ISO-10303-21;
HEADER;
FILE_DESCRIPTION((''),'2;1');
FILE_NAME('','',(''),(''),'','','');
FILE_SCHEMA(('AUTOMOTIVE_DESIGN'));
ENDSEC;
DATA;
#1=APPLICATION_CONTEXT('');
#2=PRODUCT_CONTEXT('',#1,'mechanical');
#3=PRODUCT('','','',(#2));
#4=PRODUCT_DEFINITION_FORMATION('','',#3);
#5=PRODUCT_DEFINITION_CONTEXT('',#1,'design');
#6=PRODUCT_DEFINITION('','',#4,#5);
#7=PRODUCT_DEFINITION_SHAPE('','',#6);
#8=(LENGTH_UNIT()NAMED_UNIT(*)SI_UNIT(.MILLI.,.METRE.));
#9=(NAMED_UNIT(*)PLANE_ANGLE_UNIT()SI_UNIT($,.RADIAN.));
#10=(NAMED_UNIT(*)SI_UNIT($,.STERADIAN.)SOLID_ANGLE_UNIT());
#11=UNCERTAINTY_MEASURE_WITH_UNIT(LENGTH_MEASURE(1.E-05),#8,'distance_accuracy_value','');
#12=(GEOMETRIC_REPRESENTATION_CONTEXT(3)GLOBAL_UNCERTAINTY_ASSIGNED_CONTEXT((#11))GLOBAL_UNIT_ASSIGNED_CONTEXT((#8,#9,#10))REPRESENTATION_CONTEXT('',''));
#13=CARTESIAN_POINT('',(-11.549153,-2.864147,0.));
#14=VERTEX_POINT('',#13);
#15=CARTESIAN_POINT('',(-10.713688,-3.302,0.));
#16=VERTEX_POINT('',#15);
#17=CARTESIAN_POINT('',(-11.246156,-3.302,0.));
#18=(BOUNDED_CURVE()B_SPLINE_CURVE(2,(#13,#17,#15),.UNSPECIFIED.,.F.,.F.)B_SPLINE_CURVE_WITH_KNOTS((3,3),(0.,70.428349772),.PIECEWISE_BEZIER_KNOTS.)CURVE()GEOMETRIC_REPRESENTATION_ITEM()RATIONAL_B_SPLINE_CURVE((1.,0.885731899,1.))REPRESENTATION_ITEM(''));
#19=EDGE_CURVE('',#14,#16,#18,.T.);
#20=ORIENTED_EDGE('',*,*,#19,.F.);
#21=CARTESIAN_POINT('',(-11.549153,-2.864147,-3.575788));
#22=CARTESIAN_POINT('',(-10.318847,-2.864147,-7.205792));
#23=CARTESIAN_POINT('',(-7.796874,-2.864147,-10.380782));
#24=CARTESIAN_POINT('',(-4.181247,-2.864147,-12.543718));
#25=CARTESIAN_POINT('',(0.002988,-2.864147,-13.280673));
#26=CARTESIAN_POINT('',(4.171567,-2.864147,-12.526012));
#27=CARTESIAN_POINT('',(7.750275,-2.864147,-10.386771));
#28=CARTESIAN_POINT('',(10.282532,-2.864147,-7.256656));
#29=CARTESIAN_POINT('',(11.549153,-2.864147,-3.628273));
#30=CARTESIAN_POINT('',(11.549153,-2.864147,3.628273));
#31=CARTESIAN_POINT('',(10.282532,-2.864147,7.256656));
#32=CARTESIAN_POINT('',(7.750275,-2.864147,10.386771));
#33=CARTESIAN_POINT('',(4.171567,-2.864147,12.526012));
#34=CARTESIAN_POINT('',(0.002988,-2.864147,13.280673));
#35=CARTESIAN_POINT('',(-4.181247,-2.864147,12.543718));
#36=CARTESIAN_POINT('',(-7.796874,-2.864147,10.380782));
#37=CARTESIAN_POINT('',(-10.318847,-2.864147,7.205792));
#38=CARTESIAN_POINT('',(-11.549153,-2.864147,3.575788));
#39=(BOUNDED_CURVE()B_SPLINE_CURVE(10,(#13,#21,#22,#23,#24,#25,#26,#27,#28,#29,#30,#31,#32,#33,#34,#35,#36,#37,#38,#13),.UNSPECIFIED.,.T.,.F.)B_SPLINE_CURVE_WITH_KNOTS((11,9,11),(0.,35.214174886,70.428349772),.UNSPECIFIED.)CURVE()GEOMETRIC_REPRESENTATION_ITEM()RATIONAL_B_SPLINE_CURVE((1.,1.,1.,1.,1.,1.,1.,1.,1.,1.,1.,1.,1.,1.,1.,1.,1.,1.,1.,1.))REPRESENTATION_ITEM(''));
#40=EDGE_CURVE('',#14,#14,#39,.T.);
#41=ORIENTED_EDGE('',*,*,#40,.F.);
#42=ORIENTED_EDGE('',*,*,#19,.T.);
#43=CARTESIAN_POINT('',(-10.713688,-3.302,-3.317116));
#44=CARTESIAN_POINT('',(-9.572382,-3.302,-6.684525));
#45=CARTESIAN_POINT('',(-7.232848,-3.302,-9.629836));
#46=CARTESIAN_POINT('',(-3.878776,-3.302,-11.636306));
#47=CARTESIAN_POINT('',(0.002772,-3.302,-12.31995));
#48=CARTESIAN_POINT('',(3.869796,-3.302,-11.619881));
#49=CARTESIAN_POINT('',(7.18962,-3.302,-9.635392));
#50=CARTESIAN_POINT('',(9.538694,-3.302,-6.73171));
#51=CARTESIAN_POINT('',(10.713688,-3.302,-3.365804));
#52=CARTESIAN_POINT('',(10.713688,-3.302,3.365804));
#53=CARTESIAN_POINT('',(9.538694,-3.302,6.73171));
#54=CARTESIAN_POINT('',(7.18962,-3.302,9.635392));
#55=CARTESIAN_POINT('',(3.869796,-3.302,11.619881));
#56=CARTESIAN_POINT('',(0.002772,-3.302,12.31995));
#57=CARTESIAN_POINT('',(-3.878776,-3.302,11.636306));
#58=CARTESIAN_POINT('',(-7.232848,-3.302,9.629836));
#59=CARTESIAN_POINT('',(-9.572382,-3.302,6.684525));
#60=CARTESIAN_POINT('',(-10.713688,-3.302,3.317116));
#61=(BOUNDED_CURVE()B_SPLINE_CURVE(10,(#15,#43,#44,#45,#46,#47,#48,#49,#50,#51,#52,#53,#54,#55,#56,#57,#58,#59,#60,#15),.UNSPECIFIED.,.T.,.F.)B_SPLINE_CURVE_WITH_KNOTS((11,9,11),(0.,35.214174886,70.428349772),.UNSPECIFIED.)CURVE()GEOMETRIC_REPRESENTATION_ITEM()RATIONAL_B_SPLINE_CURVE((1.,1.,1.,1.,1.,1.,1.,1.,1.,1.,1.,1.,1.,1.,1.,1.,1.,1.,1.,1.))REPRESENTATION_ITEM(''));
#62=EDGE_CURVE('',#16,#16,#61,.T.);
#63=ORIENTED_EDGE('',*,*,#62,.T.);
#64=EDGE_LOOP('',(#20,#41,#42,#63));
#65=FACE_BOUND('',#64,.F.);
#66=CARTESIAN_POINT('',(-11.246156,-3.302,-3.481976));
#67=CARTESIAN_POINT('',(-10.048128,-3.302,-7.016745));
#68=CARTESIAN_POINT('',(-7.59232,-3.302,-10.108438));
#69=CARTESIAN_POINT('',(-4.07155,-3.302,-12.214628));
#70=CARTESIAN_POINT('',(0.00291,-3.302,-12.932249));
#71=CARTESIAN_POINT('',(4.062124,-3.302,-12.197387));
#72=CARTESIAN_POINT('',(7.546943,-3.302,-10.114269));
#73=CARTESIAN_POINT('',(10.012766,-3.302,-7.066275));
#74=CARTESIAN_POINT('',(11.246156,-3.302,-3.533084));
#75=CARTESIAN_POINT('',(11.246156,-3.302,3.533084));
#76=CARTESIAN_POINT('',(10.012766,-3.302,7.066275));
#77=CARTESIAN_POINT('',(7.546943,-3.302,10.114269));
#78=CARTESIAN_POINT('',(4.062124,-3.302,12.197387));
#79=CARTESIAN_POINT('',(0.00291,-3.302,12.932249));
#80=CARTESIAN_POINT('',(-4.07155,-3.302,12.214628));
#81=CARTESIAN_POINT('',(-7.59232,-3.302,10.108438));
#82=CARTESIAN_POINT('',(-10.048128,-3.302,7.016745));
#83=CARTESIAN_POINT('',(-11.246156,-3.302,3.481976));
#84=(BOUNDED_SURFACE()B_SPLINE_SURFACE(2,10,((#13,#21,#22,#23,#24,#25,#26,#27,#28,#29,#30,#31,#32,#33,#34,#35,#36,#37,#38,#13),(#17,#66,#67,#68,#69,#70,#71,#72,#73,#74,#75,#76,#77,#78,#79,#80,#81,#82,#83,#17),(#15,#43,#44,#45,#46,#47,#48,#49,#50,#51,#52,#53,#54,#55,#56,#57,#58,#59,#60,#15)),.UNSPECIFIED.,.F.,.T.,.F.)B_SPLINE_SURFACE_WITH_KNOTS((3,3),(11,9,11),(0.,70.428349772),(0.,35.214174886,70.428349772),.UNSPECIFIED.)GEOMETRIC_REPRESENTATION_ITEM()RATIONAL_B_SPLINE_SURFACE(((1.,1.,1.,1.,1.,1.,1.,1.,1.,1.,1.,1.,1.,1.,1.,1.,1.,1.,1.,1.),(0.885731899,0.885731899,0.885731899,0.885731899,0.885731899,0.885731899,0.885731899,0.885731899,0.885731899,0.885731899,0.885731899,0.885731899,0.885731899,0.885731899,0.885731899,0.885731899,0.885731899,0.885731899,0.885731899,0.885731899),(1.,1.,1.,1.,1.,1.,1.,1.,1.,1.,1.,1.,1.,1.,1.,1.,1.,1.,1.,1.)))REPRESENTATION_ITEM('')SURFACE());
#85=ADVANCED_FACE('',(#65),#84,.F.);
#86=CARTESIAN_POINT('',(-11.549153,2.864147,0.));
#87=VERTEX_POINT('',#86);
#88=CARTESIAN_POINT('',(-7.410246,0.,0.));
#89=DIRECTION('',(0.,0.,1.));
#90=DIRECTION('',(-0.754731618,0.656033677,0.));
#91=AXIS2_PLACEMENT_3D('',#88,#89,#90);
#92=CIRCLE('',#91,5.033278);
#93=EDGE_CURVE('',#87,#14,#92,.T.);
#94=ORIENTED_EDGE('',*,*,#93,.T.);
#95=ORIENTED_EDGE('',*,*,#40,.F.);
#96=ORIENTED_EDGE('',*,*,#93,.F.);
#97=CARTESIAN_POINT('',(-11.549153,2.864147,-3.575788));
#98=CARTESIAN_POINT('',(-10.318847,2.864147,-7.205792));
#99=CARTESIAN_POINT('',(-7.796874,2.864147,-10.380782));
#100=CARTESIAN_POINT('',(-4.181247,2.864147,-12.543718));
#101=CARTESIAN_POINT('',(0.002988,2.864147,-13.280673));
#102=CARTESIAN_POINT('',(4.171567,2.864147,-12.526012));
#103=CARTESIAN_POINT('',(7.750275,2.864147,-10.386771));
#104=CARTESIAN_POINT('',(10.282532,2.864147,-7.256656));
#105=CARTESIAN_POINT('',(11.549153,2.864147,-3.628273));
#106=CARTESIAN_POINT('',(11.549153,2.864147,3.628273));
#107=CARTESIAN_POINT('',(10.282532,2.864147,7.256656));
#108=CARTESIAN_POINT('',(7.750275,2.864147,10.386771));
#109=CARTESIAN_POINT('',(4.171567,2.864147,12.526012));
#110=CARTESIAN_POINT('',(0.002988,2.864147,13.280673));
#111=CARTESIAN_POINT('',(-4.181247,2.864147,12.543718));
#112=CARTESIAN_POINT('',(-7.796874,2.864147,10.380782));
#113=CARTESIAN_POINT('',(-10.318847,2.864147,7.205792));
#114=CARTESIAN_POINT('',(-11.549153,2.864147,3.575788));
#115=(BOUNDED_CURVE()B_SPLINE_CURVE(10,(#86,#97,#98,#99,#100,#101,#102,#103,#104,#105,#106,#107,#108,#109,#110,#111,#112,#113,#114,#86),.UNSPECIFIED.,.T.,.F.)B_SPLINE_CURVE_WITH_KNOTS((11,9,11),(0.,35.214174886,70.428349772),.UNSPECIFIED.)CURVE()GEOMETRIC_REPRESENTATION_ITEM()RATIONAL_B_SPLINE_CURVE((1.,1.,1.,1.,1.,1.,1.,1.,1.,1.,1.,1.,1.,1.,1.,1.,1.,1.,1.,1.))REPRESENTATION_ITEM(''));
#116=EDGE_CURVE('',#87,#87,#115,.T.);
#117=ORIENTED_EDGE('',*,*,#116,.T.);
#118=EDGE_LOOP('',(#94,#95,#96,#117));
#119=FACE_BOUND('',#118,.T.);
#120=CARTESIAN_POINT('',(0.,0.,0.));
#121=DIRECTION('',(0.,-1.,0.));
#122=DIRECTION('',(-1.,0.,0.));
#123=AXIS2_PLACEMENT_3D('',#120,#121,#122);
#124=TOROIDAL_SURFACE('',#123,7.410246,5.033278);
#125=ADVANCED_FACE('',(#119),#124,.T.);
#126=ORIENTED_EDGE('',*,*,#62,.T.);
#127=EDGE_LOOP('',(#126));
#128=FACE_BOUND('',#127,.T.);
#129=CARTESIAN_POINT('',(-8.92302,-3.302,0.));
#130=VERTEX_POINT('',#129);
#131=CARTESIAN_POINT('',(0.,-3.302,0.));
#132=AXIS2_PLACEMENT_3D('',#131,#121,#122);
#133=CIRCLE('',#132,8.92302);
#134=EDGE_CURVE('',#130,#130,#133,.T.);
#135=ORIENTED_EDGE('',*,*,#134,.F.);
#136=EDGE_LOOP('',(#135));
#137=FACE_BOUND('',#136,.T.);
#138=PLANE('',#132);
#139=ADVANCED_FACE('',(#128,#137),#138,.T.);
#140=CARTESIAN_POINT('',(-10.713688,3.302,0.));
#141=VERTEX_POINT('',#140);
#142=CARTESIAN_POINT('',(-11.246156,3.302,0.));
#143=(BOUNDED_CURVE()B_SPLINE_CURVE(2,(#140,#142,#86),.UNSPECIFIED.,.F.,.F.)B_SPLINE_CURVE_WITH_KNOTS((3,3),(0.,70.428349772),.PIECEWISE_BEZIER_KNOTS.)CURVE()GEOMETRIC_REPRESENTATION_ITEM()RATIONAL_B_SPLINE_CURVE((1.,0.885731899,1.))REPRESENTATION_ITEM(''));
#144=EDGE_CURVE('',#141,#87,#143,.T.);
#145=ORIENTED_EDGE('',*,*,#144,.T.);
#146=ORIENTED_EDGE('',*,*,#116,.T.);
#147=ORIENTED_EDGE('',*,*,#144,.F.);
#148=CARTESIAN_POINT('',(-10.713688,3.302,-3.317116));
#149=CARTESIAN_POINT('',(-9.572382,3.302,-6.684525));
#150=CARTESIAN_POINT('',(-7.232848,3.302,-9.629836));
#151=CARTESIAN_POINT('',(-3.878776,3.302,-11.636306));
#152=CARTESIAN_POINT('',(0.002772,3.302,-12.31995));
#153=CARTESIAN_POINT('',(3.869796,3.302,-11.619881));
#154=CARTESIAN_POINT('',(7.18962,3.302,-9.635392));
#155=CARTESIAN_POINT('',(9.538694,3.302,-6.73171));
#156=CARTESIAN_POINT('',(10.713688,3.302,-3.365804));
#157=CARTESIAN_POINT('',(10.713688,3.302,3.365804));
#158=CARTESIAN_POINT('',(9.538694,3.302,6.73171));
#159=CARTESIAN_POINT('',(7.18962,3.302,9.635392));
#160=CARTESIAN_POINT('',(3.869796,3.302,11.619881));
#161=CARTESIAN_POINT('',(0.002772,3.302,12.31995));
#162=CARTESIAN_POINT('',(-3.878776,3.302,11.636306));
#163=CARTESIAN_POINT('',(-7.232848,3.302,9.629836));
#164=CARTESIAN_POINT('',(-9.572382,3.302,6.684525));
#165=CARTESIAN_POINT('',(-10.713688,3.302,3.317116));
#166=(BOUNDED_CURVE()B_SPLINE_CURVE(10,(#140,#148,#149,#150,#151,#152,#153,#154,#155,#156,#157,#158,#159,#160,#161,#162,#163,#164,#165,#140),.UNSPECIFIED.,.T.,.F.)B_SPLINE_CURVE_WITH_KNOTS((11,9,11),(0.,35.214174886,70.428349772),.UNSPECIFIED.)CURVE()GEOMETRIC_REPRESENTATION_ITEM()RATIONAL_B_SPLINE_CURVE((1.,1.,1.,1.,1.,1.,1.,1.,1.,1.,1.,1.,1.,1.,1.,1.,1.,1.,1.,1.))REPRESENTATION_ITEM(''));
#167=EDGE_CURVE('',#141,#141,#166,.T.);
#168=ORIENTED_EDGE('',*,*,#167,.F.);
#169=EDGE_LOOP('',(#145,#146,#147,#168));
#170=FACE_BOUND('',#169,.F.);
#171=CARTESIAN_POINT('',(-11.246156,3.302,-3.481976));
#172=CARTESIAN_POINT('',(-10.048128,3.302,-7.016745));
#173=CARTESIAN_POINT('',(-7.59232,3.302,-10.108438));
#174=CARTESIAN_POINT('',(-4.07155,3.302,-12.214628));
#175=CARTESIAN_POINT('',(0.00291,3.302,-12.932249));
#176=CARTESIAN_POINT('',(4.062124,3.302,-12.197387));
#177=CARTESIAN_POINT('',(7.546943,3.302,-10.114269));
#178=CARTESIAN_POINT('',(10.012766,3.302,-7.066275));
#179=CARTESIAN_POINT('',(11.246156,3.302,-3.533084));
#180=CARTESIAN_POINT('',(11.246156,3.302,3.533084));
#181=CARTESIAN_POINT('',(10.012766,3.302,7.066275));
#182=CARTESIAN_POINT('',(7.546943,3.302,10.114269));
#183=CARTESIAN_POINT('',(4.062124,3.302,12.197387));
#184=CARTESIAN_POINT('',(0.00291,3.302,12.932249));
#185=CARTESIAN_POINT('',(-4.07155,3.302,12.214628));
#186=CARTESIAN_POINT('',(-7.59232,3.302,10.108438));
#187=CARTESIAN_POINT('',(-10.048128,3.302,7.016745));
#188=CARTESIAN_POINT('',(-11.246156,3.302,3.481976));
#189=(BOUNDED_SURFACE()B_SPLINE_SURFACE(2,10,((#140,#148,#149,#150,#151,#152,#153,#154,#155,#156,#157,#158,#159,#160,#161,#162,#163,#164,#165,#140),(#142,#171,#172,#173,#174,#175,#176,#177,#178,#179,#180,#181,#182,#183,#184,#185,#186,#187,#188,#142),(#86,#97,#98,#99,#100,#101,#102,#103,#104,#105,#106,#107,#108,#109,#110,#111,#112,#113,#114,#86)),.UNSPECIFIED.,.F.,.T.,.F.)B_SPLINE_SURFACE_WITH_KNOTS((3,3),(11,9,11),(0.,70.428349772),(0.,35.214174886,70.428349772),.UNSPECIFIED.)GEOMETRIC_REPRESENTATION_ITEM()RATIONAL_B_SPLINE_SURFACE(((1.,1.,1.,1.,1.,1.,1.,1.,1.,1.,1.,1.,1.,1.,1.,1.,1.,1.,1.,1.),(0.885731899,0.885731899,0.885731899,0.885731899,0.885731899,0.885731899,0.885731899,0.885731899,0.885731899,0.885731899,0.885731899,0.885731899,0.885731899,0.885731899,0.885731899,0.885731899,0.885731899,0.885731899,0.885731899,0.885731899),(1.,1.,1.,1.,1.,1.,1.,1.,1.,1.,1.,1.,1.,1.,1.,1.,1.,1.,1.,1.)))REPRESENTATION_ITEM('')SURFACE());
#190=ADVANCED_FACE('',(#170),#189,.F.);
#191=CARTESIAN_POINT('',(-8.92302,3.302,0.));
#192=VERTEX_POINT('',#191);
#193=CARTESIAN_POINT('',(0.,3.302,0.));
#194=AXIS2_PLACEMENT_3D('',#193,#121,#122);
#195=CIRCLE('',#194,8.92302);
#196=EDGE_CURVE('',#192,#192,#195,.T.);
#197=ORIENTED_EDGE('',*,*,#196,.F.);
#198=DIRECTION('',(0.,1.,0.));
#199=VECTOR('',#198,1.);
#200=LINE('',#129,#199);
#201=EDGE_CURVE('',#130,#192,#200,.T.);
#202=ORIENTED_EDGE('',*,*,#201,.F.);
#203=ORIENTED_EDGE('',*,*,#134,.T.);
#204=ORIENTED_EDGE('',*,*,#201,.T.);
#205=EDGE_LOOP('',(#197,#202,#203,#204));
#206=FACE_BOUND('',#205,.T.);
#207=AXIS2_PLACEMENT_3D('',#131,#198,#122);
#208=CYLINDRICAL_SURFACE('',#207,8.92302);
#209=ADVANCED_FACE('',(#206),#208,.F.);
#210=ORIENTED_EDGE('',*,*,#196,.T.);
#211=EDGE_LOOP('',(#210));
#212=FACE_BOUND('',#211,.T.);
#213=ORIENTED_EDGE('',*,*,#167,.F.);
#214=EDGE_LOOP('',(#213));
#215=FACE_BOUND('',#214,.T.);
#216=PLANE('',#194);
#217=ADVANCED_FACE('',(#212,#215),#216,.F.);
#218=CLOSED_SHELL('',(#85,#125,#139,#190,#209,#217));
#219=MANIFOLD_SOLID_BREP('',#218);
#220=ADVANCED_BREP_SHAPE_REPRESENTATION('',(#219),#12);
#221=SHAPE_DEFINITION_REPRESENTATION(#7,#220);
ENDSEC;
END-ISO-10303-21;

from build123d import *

# Parameters (mm, degrees)
F2_R = 1.016


with BuildPart() as f1:
    # F0 (on Top) → F1 (revolve)
    with BuildSketch(Plane.XY):
        with BuildLine():
            Line((-8.92302, -3.302), (-8.92302, 3.302))
            Line((-8.92302, 3.302), (-11.20902, 3.302))
            ThreePointArc((-11.20902, 3.302), (-12.443524, 0), (-11.20902, -3.302))
            Line((-11.20902, -3.302), (-8.92302, -3.302))
        make_face()
    revolve(axis=Axis((0, -3.096303, 0), (0, -1, 0)))

    # F2
    f2_edges = [f1.edges().sort_by_distance(p)[0] for p in [
        (11.20902, -3.302, 0),
        (11.20902, 3.302, 0),
    ]]
    fillet(f2_edges, radius=F2_R)


solid = f1.part
